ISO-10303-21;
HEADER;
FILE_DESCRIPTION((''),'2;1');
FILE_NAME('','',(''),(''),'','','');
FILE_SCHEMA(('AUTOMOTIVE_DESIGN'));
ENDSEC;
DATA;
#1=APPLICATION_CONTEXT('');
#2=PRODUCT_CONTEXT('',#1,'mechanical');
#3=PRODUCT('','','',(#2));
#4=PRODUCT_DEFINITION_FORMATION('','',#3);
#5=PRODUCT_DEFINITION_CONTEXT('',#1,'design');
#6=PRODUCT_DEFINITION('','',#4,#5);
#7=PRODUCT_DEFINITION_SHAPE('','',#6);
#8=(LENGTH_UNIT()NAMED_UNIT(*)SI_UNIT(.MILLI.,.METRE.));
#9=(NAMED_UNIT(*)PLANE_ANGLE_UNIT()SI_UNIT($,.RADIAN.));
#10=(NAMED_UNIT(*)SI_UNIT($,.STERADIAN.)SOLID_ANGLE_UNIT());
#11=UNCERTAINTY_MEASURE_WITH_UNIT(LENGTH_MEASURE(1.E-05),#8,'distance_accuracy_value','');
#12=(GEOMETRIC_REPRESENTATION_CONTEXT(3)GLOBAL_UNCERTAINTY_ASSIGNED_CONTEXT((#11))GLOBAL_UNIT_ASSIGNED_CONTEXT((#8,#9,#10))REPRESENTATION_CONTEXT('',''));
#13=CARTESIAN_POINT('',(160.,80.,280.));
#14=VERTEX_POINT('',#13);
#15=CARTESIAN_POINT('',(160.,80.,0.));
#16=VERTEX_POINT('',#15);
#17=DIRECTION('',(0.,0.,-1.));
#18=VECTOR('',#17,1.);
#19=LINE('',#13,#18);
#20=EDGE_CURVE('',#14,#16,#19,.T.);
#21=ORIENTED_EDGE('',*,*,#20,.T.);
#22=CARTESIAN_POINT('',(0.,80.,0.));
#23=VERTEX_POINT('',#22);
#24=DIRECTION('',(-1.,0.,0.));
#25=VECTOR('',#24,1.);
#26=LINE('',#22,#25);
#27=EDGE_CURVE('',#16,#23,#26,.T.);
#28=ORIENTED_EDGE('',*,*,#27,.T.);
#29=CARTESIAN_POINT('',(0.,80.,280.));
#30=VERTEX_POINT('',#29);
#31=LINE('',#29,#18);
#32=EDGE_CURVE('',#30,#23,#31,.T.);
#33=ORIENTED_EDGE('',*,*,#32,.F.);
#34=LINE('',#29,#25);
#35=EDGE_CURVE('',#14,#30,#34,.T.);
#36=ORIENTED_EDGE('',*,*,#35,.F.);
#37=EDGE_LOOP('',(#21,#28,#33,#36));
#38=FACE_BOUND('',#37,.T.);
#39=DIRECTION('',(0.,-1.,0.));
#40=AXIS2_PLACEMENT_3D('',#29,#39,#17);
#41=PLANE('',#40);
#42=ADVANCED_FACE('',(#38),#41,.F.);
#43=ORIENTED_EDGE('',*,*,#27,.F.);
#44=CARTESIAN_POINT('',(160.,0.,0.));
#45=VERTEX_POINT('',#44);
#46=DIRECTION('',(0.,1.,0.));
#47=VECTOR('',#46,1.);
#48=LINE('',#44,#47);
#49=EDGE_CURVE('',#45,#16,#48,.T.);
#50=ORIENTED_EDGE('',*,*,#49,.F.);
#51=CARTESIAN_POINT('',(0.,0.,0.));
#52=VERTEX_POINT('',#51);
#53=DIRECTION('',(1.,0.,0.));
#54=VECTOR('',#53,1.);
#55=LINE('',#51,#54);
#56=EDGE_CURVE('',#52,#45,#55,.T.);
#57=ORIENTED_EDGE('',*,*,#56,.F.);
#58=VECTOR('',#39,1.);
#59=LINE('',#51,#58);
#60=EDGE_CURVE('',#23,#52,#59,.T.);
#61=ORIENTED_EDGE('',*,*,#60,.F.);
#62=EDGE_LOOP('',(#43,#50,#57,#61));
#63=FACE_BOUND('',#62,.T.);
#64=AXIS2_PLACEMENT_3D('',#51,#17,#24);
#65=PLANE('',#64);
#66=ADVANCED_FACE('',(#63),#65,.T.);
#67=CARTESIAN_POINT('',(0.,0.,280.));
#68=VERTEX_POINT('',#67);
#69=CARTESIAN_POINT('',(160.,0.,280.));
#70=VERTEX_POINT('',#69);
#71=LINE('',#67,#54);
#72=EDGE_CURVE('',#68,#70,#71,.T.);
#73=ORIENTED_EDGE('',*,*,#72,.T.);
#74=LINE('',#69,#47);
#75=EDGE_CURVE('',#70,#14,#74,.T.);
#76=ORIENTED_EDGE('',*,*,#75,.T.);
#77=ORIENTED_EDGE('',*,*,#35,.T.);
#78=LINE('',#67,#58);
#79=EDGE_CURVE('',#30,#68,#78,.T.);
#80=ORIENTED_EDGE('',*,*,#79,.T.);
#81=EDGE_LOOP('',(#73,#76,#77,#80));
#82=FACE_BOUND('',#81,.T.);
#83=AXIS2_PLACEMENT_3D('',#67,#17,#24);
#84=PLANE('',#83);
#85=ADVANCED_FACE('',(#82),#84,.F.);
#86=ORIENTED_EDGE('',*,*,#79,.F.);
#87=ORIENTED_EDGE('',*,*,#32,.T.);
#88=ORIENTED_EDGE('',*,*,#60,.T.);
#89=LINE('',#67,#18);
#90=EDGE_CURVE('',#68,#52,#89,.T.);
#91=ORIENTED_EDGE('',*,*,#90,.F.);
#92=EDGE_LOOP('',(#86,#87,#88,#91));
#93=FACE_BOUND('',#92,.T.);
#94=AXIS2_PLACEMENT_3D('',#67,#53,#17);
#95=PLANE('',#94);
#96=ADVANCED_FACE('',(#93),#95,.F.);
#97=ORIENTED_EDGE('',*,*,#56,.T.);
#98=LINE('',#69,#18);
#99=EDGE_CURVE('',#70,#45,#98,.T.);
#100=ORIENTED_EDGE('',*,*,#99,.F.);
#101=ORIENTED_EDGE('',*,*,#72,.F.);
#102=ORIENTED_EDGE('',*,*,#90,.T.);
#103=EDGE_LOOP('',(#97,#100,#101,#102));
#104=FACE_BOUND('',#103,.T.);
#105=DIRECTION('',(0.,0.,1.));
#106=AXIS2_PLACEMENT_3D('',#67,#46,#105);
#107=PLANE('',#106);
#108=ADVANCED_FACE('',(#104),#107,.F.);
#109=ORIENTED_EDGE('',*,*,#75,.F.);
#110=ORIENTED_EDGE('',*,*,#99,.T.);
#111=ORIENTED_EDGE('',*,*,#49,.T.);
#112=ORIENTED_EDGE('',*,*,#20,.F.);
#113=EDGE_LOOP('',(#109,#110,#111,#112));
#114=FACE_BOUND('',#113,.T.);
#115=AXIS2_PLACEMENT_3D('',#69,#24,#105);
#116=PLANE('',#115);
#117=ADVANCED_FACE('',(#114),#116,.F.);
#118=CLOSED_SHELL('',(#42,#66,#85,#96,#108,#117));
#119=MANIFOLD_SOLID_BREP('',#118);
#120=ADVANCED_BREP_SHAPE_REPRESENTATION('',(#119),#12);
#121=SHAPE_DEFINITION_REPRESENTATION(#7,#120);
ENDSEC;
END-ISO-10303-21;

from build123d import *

# Parameters (mm, degrees)
SKETCH_1_W      = 160
SKETCH_1_H      = 80
EXTRUDE_1_DEPTH = 280


with BuildPart() as part:
    # ｽｹｯﾁ1 → ﾎﾞｽ - 押し出し1 (new body)
    with BuildSketch(Plane.XY):
        with Locations((80, 40)):
            Rectangle(SKETCH_1_W, SKETCH_1_H)
    extrude(amount=EXTRUDE_1_DEPTH)


solid = part.part
